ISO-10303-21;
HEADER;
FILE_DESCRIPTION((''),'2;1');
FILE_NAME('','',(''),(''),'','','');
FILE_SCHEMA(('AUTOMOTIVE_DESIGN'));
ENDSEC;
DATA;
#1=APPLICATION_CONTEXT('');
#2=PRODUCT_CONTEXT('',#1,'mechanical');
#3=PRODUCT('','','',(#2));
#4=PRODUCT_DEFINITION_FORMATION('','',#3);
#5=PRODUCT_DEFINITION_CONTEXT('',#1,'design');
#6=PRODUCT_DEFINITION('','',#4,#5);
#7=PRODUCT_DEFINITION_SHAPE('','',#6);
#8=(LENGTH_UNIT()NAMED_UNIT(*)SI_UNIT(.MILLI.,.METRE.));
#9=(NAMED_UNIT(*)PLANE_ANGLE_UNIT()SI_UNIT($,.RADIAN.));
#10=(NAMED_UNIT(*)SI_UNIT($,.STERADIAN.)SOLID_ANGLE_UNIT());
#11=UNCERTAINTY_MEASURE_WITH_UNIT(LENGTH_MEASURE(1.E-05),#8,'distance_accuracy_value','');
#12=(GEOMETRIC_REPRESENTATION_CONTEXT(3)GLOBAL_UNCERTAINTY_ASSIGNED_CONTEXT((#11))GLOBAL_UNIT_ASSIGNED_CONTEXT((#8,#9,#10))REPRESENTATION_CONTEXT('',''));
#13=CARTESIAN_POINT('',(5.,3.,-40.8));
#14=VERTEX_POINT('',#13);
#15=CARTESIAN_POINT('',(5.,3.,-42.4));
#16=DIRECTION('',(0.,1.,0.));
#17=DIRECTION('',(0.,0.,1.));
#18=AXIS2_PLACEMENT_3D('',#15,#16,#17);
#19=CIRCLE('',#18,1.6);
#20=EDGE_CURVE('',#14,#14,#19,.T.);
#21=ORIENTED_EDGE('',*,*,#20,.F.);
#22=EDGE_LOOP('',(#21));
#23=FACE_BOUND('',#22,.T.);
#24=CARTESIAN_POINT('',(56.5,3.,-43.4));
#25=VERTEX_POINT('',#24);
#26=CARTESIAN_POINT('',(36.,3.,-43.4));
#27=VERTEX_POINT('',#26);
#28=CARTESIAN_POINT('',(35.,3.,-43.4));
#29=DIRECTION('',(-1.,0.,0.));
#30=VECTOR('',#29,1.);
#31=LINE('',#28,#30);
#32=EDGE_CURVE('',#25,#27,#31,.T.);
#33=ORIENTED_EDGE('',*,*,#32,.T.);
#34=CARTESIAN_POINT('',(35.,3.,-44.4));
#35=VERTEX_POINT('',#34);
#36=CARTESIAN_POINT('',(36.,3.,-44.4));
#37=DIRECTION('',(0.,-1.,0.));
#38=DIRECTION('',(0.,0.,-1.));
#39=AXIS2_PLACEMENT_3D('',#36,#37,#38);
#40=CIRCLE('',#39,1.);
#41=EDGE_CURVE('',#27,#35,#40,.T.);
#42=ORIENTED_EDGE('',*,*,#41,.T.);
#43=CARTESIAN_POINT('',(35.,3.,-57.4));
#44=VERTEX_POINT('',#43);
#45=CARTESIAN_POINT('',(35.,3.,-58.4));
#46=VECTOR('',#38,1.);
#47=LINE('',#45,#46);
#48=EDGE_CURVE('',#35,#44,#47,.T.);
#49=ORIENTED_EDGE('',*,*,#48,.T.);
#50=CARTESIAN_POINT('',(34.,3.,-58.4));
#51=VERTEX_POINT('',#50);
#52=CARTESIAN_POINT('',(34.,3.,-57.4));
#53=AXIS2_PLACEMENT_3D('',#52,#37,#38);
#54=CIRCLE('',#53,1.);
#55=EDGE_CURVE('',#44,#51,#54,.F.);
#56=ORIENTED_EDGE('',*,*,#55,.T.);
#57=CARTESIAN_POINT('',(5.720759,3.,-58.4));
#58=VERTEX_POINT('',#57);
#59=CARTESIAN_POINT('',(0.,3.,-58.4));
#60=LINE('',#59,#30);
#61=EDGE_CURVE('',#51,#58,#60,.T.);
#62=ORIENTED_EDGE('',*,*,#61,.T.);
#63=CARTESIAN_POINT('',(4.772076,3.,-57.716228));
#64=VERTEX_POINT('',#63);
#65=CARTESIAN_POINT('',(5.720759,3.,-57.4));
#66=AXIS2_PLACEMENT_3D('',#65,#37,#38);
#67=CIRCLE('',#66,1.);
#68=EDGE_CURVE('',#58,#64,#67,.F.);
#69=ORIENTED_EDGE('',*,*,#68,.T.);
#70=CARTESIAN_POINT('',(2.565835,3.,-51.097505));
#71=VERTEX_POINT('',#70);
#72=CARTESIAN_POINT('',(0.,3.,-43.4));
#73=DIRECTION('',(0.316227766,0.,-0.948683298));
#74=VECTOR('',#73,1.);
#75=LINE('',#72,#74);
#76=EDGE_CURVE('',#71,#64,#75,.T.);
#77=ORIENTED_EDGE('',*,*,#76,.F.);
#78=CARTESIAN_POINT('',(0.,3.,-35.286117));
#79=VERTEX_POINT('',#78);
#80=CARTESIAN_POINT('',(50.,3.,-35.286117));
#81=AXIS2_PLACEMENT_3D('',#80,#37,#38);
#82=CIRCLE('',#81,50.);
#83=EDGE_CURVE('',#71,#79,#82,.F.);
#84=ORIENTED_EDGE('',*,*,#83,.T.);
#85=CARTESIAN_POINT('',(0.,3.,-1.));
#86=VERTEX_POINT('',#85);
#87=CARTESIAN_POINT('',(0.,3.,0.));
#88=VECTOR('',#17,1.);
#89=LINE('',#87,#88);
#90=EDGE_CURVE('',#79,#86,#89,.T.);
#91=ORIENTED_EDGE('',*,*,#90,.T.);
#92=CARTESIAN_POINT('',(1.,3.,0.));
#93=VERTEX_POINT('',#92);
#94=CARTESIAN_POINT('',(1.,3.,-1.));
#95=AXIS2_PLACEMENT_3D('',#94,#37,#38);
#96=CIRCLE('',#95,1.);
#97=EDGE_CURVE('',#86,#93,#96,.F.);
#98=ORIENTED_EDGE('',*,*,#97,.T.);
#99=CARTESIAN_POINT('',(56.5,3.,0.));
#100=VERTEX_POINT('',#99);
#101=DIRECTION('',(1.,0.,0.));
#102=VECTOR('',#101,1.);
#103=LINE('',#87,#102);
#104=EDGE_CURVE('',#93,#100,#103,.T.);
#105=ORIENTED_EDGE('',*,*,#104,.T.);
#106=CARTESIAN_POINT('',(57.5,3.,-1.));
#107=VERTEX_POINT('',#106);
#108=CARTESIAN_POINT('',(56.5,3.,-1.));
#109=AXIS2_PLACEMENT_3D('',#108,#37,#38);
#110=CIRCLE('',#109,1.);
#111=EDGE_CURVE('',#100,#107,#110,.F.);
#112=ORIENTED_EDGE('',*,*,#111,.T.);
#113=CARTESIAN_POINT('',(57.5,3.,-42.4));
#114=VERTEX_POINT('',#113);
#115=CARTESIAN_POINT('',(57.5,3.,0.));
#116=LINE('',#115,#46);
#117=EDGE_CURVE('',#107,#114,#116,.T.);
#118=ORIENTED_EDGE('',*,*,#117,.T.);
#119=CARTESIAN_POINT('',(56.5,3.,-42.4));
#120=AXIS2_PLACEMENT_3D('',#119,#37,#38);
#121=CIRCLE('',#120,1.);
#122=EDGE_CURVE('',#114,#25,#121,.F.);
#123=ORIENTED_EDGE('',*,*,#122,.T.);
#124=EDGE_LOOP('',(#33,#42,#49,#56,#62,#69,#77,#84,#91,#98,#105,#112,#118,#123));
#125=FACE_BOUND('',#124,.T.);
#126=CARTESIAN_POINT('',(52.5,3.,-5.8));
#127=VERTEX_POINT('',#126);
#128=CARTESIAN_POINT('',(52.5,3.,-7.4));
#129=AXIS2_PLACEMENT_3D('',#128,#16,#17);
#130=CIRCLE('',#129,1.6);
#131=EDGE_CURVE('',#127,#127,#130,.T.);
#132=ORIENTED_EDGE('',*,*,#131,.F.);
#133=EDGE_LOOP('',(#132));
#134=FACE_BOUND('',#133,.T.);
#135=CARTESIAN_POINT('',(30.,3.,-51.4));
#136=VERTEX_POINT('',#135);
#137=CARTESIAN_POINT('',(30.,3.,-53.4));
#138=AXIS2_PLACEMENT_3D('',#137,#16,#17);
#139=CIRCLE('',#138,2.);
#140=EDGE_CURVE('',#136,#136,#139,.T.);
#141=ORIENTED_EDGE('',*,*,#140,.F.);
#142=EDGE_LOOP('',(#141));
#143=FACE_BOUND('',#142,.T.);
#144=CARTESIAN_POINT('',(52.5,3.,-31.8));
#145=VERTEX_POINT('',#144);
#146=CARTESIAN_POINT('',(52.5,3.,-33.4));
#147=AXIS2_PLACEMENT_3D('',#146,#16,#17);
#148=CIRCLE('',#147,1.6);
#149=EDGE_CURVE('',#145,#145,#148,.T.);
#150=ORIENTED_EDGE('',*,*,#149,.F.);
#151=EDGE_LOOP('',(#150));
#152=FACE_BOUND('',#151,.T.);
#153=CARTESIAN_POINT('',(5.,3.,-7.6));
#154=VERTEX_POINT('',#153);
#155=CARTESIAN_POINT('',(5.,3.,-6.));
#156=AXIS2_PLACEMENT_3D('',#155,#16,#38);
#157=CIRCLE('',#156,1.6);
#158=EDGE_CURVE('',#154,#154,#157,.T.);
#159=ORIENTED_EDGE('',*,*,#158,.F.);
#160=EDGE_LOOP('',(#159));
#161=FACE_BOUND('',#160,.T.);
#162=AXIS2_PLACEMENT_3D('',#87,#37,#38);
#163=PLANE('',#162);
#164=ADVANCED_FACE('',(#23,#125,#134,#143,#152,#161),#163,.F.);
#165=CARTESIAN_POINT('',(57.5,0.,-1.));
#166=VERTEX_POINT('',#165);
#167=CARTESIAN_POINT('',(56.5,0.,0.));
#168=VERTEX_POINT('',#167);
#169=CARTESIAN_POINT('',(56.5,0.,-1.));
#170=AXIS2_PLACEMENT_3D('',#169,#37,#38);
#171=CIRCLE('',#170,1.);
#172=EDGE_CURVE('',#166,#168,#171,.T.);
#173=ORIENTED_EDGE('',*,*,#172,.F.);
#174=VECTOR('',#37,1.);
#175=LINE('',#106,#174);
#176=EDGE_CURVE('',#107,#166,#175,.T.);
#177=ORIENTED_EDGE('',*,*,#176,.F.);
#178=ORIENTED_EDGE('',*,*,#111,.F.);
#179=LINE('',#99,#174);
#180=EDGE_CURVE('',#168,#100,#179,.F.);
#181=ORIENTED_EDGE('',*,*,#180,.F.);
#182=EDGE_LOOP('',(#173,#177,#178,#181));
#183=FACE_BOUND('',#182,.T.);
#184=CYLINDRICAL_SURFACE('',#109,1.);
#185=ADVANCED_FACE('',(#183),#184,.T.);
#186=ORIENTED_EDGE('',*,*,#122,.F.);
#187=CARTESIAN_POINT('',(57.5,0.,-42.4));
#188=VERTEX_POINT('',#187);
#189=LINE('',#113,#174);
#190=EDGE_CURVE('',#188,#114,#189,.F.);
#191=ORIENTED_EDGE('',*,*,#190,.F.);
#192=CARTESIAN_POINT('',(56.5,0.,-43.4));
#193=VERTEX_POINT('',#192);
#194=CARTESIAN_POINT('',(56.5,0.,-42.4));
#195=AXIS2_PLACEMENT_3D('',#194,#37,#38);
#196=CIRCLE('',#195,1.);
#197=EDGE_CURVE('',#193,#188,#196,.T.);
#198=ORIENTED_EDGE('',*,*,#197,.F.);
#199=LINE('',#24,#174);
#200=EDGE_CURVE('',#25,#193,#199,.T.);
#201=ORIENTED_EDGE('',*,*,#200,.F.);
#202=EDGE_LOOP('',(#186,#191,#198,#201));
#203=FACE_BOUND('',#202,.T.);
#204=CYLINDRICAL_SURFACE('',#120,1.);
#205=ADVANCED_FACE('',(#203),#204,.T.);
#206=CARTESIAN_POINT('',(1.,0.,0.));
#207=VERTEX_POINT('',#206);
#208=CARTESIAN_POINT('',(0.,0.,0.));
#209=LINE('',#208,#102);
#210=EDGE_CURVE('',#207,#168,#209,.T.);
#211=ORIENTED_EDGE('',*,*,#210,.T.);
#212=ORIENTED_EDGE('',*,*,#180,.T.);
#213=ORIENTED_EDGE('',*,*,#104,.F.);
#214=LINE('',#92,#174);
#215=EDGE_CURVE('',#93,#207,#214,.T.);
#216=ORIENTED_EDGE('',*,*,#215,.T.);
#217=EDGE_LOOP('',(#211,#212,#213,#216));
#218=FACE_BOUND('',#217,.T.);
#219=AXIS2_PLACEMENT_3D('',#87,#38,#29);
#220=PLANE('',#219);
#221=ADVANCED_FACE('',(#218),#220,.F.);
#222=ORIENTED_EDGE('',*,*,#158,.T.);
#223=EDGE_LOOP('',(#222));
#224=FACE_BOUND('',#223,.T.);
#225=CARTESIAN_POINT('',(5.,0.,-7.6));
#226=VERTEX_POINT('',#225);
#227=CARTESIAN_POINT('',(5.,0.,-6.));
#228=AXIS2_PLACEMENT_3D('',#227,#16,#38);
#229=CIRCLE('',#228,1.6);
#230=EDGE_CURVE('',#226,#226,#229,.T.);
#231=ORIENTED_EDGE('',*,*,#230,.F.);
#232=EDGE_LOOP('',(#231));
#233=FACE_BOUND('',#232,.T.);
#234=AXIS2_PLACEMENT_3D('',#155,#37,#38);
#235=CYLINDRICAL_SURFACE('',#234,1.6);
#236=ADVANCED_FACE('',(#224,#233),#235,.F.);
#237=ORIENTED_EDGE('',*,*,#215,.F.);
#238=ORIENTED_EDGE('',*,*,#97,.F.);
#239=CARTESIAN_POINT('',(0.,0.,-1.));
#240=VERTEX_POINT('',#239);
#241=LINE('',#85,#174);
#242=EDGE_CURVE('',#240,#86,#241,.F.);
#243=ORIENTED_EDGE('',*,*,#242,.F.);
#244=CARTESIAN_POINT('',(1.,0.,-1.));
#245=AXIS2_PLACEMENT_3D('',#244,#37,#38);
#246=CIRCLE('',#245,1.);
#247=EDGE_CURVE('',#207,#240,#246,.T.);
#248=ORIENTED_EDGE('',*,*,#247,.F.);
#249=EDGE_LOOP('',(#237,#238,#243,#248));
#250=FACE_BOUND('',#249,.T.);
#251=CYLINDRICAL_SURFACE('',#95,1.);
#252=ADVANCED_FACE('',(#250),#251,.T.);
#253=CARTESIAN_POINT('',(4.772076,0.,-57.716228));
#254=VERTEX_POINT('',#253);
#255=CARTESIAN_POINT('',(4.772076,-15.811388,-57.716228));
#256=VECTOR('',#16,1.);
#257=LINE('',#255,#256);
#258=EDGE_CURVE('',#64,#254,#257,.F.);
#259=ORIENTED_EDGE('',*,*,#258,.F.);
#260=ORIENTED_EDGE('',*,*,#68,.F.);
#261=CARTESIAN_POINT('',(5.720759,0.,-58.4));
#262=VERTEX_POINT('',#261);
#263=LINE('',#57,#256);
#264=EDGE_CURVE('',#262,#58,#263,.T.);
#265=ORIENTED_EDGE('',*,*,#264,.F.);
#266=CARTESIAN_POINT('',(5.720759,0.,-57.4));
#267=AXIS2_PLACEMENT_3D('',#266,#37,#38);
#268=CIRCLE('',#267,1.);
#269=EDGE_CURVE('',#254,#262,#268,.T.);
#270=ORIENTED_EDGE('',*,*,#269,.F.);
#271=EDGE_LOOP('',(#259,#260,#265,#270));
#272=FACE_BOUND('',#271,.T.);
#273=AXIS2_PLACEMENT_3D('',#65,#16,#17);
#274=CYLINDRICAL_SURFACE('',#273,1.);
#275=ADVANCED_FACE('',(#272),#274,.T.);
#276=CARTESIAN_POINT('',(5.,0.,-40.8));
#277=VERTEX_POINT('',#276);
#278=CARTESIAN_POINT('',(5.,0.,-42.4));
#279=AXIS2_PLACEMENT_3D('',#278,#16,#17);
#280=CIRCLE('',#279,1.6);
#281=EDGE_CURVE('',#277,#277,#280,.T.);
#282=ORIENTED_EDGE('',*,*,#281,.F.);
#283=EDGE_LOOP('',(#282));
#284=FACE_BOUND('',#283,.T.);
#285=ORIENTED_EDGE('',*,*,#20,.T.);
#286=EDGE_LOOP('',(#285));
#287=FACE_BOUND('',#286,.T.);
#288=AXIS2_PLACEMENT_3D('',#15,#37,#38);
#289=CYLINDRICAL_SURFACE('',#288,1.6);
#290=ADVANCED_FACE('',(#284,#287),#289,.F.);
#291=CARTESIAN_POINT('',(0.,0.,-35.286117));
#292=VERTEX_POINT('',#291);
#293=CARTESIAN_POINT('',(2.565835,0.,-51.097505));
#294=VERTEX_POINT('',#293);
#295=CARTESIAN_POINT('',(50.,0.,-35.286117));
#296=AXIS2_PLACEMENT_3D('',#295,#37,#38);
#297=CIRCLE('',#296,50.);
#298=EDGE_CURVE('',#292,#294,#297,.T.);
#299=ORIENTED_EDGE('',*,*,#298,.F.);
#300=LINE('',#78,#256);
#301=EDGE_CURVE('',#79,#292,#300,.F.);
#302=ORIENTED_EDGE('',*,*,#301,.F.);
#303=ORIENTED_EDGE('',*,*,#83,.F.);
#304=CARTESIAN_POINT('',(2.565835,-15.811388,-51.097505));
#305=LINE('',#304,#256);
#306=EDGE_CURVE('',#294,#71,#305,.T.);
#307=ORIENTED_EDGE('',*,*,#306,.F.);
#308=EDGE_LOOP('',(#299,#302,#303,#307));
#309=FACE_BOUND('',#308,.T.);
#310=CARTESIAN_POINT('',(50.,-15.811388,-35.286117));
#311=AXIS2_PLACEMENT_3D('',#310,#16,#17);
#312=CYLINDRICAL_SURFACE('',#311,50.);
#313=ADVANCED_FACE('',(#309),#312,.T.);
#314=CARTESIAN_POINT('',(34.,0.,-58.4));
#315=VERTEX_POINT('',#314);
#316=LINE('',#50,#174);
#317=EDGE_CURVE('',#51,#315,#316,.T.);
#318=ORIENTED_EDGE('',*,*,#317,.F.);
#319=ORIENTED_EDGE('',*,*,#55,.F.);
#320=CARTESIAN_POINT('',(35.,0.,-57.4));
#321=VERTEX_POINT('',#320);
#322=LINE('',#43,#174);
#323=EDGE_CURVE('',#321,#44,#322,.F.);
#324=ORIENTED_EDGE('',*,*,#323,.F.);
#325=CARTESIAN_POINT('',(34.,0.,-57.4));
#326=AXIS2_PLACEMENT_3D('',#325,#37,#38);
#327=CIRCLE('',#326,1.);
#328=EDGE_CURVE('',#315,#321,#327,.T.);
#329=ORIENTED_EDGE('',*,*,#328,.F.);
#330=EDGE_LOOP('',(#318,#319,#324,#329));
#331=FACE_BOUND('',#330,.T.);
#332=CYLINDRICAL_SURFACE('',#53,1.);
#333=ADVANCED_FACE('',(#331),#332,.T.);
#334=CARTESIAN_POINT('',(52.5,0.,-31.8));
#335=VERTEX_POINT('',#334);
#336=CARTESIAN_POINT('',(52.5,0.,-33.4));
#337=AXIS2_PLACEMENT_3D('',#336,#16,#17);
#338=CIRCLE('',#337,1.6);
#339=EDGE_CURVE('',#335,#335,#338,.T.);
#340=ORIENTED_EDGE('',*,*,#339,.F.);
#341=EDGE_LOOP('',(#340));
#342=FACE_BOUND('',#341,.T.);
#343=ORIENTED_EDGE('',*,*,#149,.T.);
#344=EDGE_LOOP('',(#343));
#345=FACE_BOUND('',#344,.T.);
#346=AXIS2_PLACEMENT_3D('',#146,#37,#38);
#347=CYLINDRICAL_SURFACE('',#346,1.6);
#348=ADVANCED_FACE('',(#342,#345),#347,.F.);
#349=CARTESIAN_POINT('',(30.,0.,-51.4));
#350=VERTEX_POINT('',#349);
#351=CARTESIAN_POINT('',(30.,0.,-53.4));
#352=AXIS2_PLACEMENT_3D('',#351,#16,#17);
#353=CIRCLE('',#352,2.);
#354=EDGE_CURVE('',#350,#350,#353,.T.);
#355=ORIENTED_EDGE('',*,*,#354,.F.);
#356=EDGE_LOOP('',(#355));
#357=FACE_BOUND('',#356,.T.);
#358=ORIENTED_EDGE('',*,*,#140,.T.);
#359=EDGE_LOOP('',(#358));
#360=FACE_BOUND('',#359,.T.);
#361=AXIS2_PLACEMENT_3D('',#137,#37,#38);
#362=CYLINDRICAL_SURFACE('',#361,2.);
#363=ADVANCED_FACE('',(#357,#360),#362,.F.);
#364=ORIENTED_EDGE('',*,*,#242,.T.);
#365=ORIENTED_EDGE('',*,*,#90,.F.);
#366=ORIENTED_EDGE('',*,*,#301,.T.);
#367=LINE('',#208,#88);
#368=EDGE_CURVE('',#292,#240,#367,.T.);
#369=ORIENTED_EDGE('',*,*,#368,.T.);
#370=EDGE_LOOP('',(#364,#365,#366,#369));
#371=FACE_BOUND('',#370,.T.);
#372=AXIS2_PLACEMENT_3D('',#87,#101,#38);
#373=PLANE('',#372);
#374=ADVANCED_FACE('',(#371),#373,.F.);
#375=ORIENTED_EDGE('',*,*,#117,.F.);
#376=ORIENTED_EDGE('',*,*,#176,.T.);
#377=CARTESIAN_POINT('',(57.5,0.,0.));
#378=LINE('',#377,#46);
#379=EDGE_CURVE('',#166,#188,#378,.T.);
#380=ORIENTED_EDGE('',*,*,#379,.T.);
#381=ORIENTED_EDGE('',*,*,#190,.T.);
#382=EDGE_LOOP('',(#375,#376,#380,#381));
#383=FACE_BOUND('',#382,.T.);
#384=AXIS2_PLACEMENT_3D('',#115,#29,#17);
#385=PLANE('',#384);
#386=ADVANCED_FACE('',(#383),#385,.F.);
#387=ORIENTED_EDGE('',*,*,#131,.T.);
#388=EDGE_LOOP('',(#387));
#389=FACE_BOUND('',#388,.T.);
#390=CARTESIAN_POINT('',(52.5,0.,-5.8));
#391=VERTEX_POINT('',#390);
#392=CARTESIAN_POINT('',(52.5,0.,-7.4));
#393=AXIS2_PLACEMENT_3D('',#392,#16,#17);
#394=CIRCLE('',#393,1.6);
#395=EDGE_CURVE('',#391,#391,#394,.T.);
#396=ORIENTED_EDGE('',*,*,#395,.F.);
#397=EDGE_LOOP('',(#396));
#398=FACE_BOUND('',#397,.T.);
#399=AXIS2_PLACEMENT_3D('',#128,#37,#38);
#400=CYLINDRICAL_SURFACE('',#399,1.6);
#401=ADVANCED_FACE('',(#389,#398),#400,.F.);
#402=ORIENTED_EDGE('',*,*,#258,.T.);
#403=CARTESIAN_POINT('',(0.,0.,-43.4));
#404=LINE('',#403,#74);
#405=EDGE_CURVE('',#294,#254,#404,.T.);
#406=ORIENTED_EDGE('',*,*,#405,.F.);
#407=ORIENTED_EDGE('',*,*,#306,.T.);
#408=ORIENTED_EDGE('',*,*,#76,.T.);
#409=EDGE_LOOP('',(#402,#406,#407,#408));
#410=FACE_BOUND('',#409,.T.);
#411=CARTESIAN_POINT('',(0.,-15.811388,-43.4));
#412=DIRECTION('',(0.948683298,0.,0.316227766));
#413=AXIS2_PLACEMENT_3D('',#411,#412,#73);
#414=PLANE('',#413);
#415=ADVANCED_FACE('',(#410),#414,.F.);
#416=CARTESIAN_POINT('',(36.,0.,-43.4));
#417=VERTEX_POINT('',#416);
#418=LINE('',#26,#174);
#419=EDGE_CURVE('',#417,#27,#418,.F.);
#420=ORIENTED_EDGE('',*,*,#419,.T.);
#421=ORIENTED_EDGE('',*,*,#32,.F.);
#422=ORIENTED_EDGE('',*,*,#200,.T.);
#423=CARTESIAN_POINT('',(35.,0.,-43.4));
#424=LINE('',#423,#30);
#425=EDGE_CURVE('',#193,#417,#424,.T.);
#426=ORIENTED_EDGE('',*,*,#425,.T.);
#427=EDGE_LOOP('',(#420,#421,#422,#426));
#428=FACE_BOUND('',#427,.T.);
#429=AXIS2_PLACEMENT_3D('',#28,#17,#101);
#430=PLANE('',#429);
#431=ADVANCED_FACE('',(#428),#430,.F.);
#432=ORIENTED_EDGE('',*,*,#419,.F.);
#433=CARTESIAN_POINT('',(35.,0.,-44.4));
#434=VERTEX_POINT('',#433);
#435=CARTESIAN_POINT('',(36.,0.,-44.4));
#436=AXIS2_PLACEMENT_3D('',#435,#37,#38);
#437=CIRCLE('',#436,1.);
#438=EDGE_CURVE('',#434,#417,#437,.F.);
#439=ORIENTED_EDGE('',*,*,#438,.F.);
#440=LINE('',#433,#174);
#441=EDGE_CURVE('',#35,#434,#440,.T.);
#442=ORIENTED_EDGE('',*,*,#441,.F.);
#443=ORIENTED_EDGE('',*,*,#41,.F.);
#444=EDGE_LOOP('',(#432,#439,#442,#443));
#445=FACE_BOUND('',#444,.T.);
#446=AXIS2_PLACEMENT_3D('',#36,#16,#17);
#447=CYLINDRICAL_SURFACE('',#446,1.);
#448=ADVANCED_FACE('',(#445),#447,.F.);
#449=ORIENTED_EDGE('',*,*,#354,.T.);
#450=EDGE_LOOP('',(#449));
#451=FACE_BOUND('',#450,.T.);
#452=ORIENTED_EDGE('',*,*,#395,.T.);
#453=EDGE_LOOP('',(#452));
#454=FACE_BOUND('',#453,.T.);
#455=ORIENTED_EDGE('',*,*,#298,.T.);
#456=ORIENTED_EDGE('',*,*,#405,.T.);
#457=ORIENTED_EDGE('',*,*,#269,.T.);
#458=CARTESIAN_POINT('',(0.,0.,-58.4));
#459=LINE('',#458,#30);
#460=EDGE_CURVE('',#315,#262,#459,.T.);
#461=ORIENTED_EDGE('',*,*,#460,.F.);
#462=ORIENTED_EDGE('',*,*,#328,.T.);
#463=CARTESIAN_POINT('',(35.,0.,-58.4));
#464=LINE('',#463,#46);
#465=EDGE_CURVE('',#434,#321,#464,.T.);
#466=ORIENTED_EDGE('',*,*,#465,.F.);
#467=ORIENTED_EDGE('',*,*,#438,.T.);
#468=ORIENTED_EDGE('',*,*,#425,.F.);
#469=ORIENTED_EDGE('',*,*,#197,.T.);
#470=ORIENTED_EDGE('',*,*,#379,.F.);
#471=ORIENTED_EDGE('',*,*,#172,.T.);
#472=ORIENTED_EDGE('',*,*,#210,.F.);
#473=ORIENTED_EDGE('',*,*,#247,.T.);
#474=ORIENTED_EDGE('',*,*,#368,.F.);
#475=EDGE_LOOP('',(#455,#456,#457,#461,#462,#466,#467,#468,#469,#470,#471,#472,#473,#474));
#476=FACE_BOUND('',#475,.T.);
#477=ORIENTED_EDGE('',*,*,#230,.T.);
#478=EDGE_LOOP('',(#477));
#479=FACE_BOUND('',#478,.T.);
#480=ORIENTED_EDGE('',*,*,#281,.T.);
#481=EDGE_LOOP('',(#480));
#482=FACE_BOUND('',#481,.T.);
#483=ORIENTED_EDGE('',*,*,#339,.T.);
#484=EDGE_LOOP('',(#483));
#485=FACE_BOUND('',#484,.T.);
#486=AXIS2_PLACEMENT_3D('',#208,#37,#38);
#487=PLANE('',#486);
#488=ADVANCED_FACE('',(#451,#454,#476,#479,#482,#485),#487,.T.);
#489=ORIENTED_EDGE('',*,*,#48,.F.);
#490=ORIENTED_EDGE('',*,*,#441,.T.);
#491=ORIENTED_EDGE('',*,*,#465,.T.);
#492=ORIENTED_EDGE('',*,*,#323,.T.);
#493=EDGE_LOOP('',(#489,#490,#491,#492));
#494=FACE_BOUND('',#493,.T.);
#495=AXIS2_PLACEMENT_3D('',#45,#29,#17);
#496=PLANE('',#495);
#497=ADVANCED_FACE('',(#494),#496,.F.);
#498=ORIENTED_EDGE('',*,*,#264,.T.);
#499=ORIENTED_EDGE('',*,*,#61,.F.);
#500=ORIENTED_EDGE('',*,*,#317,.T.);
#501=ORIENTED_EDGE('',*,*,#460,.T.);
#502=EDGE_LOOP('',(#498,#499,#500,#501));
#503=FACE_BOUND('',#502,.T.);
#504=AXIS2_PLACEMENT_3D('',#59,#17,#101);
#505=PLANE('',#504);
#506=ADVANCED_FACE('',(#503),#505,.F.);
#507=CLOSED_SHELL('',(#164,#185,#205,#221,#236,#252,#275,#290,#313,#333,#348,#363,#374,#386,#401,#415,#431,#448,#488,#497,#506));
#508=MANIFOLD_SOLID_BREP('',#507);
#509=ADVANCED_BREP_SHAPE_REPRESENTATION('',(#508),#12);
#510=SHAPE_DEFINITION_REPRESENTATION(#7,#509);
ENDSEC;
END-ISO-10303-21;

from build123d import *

# Parameters (mm, degrees)
SKETCH_1_R          = 1.6
SKETCH_1_R_2        = 2
EXTRUDE_1_DEPTH     = 3
CUT_EXTRUDE_1_DEPTH = 3
FILLET_1_R          = 50
FILLET_2_R          = 1


with BuildPart() as part:
    # ｽｹｯﾁ1 → ﾎﾞｽ - 押し出し1 (new body)
    with BuildSketch(Plane(origin=(0, 0, 0), x_dir=(1, 0, 0), z_dir=(0, 1, 0))):
        Polygon((0, 58.4), (35, 58.4), (35, 43.4), (57.5, 43.4), (57.5, 0), (0, 0), align=None)
        with Locations(Location((52.5, 7.4, 0), (0, 0, 270))):
            Circle(SKETCH_1_R, mode=Mode.SUBTRACT)
        with Locations(Location((52.5, 33.4, 0), (0, 0, 270))):
            Circle(SKETCH_1_R, mode=Mode.SUBTRACT)
        with Locations(Location((30, 53.4, 0), (0, 0, 270))):
            Circle(SKETCH_1_R_2, mode=Mode.SUBTRACT)
        with Locations(Location((5, 42.4, 0), (0, 0, 270))):
            Circle(SKETCH_1_R, mode=Mode.SUBTRACT)
        with Locations(Location((5, 6, 0), (0, 0, 90))):
            Circle(SKETCH_1_R, mode=Mode.SUBTRACT)
    extrude(amount=EXTRUDE_1_DEPTH)

    # ｽｹｯﾁ2 → ｶｯﾄ - 押し出し1 (cut)
    with BuildSketch(Plane(origin=(0, 3, 0), x_dir=(1, 0, 0), z_dir=(0, 1, 0))):
        Polygon((5, 58.4), (0, 58.4), (0, 43.4), align=None)
    extrude(amount=-CUT_EXTRUDE_1_DEPTH, mode=Mode.SUBTRACT)

    # ﾌｨﾚｯﾄ1
    fillet_1_edges = [part.edges().sort_by_distance(p)[0] for p in [
        (0, 1.5, -43.4),
    ]]
    fillet(fillet_1_edges, radius=FILLET_1_R)

    # ﾌｨﾚｯﾄ2
    fillet_2_edges = [part.edges().sort_by_distance(p)[0] for p in [
        (35, 1.5, -58.4),
        (35, 1.5, -43.4),
        (57.5, 1.5, -43.4),
        (57.5, 1.5, 0),
        (0, 1.5, 0),
        (5, 1.5, -58.4),
    ]]
    fillet(fillet_2_edges, radius=FILLET_2_R)


solid = part.part
